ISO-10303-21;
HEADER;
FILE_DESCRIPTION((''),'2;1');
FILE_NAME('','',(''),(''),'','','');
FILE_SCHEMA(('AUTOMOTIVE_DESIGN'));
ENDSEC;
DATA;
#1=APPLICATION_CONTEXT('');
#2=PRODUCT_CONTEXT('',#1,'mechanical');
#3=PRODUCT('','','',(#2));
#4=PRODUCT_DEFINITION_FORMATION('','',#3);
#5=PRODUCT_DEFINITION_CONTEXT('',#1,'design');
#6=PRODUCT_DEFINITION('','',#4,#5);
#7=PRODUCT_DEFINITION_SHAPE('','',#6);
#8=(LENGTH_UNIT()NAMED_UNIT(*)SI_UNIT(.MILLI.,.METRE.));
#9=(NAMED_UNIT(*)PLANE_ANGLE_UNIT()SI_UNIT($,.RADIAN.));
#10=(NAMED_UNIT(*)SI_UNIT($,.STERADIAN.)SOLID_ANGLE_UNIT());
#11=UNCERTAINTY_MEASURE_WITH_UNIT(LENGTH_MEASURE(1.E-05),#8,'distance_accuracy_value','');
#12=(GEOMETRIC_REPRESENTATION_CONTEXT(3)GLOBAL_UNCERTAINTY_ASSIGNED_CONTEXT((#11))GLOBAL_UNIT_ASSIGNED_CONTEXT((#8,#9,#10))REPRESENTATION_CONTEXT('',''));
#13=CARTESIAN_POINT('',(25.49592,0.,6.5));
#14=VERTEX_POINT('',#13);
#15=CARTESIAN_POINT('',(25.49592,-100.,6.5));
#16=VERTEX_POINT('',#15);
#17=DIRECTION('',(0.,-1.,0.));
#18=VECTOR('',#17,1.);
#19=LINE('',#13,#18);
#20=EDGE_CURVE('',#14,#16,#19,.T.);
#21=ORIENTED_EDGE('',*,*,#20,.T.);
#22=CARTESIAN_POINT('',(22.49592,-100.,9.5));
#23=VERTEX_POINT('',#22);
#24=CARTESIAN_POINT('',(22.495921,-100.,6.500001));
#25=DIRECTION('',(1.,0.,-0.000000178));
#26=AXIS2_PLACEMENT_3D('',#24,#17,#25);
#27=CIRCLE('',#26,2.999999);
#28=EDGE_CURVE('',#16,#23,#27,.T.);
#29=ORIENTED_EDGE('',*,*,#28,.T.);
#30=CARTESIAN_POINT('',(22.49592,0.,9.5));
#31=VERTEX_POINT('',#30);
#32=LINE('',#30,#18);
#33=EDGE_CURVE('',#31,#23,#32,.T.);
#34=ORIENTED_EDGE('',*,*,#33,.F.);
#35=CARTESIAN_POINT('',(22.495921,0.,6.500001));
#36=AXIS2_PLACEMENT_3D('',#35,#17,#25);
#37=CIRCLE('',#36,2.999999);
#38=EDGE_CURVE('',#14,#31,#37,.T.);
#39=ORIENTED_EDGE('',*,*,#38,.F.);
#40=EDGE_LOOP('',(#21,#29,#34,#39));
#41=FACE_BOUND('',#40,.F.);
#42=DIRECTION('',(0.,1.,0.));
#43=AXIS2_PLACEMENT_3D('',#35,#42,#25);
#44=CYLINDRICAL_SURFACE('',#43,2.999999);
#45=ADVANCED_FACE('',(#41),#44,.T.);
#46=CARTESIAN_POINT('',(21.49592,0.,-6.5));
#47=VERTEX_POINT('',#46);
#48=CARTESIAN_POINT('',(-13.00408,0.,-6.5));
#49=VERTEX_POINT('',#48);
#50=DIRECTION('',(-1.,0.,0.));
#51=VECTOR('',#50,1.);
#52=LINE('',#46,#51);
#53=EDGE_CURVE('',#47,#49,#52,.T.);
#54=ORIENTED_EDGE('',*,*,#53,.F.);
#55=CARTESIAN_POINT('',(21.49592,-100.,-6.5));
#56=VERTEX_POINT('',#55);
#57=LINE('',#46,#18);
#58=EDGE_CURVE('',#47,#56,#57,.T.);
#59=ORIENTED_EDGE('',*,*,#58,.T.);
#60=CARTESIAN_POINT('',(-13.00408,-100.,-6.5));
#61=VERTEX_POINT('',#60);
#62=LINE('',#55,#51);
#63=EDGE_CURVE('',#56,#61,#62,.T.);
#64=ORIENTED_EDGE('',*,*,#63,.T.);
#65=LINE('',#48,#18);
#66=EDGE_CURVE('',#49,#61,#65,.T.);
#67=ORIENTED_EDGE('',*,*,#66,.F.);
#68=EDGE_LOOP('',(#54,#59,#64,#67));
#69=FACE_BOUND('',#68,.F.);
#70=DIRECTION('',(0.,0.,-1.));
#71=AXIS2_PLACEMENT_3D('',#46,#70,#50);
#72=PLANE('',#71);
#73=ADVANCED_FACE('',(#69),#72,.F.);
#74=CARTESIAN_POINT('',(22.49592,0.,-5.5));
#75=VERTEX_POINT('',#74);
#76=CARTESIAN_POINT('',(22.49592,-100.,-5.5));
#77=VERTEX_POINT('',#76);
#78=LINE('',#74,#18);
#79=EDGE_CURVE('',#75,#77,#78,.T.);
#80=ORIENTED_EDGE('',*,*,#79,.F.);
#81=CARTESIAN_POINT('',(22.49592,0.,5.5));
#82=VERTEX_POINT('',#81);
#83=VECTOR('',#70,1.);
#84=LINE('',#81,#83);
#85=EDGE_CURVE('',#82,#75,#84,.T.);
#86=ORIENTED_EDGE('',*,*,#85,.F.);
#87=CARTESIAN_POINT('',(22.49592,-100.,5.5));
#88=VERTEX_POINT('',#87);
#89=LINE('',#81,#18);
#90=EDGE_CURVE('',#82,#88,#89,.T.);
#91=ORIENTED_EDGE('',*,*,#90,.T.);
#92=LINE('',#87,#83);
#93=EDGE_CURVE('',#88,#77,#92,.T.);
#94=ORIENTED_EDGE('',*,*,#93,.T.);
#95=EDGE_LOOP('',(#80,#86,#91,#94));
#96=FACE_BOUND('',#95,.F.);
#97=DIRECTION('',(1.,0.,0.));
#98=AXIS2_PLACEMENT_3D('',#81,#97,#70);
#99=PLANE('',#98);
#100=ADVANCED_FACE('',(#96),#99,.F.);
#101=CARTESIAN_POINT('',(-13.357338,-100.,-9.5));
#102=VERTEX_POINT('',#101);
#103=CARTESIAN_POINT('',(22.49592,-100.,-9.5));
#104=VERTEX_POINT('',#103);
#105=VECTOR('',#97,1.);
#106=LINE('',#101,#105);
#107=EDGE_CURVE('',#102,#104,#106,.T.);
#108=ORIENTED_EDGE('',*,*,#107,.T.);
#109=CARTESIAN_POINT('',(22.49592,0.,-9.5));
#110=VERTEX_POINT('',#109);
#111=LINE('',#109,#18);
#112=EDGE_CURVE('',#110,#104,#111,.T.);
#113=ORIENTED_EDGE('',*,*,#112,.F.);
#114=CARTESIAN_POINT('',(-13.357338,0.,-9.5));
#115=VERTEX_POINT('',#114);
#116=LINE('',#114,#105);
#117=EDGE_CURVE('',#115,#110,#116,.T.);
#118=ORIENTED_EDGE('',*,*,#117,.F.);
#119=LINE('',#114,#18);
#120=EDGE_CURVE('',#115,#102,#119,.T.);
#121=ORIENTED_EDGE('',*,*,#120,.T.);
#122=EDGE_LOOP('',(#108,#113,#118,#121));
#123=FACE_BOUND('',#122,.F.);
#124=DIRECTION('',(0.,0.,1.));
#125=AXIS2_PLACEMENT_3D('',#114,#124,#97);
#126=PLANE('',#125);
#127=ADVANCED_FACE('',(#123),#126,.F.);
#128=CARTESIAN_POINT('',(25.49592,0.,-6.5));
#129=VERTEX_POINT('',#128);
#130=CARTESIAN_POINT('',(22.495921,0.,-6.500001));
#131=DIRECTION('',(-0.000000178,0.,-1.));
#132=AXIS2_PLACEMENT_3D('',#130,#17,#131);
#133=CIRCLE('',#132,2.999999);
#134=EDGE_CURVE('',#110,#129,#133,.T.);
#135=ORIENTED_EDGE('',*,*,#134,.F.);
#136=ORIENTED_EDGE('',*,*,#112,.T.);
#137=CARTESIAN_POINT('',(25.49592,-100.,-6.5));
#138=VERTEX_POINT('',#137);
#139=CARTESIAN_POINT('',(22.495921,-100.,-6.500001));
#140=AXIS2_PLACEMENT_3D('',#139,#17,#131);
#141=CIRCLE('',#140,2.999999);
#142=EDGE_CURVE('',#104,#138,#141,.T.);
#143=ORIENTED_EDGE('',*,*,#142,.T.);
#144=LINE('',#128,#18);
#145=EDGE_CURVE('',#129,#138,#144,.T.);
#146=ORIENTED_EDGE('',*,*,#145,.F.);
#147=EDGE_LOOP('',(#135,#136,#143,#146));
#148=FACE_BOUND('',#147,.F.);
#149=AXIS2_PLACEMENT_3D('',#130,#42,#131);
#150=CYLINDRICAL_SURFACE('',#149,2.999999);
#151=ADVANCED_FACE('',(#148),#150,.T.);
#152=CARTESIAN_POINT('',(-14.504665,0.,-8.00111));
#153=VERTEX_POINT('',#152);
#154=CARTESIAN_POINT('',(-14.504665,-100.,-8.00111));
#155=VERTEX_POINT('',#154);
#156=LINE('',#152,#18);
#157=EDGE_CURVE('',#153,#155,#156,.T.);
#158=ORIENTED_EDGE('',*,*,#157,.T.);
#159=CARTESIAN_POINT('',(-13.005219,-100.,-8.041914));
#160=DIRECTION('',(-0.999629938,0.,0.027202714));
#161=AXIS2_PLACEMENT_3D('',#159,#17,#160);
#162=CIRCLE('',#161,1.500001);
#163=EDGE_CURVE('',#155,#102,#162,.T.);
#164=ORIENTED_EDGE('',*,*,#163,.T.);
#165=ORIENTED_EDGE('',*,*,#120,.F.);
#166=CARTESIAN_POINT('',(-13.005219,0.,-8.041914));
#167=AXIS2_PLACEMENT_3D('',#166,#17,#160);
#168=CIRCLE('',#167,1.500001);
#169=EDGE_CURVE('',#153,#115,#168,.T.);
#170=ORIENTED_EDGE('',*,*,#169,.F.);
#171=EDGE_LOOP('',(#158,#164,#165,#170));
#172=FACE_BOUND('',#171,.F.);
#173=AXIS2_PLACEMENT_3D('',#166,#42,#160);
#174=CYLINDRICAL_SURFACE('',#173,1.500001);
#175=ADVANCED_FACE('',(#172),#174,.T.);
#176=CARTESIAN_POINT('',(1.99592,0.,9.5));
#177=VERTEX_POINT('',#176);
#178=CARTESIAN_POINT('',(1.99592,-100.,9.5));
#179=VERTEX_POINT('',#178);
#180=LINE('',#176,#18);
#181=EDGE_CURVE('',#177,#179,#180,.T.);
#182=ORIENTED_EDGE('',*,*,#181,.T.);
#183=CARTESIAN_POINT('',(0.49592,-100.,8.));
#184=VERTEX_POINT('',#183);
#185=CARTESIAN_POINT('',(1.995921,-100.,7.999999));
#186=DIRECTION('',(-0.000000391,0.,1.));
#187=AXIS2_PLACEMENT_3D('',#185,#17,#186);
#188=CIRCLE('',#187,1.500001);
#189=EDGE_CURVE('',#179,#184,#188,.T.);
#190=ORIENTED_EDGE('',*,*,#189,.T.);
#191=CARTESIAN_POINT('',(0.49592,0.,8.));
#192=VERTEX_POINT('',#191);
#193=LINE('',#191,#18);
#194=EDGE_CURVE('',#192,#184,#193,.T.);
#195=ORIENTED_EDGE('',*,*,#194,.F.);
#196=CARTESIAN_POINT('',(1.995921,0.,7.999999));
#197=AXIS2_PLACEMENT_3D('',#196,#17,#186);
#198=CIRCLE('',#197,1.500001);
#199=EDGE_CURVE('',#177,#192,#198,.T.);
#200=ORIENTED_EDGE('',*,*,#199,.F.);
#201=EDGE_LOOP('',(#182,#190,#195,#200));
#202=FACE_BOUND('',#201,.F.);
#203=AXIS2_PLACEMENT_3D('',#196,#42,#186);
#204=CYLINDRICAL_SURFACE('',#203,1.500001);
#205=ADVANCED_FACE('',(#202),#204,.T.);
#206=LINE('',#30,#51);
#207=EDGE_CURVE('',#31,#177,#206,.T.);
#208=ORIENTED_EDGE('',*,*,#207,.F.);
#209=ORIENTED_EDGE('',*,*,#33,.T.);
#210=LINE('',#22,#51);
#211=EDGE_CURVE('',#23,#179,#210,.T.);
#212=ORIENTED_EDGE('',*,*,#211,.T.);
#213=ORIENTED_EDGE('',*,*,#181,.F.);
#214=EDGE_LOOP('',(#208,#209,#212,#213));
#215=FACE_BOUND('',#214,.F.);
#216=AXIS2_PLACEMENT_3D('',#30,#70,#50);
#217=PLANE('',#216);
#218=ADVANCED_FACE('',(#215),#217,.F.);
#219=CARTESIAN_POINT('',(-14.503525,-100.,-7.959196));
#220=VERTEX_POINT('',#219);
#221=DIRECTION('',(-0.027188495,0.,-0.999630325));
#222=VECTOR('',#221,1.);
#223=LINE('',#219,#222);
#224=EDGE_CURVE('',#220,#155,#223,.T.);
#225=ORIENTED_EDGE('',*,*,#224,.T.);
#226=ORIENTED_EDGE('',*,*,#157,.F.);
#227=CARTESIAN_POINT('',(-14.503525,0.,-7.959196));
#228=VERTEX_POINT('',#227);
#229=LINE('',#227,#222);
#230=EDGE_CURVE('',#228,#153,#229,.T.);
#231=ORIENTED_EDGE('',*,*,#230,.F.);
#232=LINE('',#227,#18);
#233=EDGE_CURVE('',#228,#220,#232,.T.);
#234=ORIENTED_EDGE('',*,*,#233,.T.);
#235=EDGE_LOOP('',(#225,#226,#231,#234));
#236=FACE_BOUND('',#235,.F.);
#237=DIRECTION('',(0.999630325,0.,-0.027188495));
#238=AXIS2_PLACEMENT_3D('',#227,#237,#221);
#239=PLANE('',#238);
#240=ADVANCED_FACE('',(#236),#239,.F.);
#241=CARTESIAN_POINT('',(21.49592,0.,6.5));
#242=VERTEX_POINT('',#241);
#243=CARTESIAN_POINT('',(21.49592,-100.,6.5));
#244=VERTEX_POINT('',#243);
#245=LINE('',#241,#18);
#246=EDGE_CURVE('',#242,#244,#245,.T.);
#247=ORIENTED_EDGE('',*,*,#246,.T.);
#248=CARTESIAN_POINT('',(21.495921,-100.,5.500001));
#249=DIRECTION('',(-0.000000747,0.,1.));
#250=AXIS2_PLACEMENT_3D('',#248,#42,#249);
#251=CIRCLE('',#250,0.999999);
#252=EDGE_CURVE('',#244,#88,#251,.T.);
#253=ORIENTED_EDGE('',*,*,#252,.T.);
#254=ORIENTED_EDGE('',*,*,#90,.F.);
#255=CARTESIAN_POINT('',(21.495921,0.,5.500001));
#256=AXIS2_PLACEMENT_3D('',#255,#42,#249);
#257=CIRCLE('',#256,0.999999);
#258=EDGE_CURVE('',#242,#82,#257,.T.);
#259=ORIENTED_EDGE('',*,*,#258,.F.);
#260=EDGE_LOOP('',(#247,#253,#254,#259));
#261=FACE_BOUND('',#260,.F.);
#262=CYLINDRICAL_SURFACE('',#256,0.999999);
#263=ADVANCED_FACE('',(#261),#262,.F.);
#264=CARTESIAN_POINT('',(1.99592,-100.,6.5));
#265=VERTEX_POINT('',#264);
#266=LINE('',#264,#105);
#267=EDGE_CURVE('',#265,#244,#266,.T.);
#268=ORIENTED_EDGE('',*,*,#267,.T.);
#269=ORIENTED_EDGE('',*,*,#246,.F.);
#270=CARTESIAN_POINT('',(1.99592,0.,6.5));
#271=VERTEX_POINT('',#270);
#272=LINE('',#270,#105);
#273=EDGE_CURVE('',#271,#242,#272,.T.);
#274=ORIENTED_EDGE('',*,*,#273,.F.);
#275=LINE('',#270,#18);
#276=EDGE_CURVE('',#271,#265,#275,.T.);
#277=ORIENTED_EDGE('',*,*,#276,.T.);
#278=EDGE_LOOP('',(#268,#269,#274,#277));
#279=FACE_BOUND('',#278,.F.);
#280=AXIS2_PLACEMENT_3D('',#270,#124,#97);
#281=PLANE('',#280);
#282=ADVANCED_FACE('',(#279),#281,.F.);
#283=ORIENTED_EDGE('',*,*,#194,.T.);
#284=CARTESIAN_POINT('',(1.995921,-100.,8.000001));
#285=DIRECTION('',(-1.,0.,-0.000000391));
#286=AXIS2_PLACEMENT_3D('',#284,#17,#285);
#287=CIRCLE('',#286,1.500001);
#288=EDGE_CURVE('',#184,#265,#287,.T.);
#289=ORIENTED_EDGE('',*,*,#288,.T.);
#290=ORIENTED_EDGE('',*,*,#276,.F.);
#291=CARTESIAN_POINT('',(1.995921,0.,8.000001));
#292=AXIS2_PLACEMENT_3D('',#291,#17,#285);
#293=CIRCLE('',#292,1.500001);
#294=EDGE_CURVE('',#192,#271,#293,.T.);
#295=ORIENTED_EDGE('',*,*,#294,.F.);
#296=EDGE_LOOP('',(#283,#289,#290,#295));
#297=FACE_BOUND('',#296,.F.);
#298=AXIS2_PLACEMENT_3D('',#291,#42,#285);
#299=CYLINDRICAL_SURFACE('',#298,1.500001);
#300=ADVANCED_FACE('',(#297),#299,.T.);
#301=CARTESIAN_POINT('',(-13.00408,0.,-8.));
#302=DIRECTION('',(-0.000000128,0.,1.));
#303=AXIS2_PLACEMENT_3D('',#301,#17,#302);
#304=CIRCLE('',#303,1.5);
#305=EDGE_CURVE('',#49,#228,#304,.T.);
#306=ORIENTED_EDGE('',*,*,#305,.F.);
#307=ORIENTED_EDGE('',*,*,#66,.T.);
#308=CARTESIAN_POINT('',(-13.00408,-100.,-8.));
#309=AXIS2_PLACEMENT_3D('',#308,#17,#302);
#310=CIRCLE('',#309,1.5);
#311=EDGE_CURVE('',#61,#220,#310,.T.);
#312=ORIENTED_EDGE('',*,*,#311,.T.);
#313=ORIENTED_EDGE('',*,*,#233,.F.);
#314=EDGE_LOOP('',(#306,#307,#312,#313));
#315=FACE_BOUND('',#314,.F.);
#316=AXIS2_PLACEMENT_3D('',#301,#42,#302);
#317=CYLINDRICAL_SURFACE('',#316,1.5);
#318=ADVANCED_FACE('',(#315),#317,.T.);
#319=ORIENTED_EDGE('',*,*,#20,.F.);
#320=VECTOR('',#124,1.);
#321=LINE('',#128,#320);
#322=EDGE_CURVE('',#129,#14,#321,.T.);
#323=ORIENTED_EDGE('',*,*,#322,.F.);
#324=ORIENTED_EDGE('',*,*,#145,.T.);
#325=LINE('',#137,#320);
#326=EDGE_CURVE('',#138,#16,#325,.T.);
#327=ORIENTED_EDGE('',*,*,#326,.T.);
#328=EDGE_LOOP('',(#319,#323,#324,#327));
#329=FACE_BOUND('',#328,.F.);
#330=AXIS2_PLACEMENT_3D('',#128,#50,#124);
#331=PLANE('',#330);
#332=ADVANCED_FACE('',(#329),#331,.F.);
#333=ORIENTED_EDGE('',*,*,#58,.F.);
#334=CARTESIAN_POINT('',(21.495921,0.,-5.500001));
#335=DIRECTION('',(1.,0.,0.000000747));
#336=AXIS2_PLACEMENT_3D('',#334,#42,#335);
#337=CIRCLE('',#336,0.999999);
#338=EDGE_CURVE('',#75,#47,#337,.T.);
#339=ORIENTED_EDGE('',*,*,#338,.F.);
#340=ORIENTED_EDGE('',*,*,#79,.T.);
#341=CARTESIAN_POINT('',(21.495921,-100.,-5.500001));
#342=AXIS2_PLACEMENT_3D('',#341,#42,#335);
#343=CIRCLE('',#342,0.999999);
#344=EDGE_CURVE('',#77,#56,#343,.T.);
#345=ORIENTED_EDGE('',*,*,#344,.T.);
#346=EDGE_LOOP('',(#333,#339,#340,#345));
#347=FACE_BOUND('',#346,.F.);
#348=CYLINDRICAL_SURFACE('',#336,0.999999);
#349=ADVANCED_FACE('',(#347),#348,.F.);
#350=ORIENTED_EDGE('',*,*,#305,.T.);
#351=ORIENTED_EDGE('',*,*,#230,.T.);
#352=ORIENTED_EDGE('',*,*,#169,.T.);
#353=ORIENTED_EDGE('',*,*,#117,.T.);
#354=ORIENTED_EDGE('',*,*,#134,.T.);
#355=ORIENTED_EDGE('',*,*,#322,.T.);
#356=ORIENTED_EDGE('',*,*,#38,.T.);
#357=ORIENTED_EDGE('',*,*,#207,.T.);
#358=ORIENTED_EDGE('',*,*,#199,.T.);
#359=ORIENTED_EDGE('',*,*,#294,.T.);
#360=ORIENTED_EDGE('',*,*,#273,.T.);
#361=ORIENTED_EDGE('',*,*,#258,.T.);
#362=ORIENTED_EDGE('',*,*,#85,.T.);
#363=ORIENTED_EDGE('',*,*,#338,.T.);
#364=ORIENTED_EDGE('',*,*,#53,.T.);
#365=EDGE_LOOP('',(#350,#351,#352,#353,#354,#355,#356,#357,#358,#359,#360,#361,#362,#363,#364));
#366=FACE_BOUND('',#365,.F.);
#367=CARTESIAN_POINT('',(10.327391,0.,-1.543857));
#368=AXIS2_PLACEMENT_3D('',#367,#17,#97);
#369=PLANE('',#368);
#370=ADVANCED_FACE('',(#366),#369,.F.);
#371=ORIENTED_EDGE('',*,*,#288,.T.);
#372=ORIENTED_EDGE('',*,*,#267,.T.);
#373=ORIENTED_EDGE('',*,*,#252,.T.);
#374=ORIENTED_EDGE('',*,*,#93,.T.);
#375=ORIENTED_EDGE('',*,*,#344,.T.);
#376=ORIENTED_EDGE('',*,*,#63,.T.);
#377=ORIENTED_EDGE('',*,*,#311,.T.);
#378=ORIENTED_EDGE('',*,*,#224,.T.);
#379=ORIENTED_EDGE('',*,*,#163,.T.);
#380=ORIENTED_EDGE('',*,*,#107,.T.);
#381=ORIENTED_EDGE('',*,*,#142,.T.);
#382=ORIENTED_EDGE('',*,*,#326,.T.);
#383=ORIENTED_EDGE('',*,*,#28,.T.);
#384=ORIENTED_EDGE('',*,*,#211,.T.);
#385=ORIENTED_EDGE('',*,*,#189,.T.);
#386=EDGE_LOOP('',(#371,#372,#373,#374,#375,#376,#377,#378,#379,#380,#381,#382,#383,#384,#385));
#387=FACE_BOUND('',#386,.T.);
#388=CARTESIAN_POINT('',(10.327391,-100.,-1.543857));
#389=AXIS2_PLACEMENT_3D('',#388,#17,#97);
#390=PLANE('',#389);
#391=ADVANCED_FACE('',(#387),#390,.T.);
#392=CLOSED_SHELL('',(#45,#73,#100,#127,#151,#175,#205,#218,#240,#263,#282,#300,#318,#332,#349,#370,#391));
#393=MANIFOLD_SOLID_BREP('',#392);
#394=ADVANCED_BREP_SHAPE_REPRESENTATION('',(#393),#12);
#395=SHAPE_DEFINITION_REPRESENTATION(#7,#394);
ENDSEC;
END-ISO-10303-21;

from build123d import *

# Parameters (mm, degrees)
F1_DEPTH = 100


with BuildPart() as f1:
    # F0 (on Front) → F1 (new body)
    with BuildSketch(Plane.XZ):
        with BuildLine():
            Line((1.99592, 6.5), (21.49592, 6.5))
            ThreePointArc((21.49592, 6.5), (22.203027, 6.207107), (22.49592, 5.5))
            Line((22.49592, 5.5), (22.49592, -5.5))
            ThreePointArc((22.49592, -5.5), (22.203027, -6.207107), (21.49592, -6.5))
            Line((21.49592, -6.5), (-13.00408, -6.5))
            ThreePointArc((-13.00408, -6.5), (-14.050214, -6.92501), (-14.503525, -7.959196))
            Line((-14.503525, -7.959196), (-14.504665, -8.00111))
            ThreePointArc((-14.504665, -8.00111), (-14.196328, -8.95365), (-13.357338, -9.5))
            Line((-13.357338, -9.5), (22.49592, -9.5))
            ThreePointArc((22.49592, -9.5), (24.617241, -8.62132), (25.49592, -6.5))
            Line((25.49592, -6.5), (25.49592, 5.5))
            Line((25.49592, 5.5), (25.49592, 6.5))
            ThreePointArc((25.49592, 6.5), (24.617241, 8.62132), (22.49592, 9.5))
            Line((22.49592, 9.5), (1.99592, 9.5))
            ThreePointArc((1.99592, 9.5), (0.93526, 9.06066), (0.49592, 8))
            ThreePointArc((0.49592, 8), (0.93526, 6.93934), (1.99592, 6.5))
        make_face()
    extrude(amount=F1_DEPTH)


solid = f1.part
